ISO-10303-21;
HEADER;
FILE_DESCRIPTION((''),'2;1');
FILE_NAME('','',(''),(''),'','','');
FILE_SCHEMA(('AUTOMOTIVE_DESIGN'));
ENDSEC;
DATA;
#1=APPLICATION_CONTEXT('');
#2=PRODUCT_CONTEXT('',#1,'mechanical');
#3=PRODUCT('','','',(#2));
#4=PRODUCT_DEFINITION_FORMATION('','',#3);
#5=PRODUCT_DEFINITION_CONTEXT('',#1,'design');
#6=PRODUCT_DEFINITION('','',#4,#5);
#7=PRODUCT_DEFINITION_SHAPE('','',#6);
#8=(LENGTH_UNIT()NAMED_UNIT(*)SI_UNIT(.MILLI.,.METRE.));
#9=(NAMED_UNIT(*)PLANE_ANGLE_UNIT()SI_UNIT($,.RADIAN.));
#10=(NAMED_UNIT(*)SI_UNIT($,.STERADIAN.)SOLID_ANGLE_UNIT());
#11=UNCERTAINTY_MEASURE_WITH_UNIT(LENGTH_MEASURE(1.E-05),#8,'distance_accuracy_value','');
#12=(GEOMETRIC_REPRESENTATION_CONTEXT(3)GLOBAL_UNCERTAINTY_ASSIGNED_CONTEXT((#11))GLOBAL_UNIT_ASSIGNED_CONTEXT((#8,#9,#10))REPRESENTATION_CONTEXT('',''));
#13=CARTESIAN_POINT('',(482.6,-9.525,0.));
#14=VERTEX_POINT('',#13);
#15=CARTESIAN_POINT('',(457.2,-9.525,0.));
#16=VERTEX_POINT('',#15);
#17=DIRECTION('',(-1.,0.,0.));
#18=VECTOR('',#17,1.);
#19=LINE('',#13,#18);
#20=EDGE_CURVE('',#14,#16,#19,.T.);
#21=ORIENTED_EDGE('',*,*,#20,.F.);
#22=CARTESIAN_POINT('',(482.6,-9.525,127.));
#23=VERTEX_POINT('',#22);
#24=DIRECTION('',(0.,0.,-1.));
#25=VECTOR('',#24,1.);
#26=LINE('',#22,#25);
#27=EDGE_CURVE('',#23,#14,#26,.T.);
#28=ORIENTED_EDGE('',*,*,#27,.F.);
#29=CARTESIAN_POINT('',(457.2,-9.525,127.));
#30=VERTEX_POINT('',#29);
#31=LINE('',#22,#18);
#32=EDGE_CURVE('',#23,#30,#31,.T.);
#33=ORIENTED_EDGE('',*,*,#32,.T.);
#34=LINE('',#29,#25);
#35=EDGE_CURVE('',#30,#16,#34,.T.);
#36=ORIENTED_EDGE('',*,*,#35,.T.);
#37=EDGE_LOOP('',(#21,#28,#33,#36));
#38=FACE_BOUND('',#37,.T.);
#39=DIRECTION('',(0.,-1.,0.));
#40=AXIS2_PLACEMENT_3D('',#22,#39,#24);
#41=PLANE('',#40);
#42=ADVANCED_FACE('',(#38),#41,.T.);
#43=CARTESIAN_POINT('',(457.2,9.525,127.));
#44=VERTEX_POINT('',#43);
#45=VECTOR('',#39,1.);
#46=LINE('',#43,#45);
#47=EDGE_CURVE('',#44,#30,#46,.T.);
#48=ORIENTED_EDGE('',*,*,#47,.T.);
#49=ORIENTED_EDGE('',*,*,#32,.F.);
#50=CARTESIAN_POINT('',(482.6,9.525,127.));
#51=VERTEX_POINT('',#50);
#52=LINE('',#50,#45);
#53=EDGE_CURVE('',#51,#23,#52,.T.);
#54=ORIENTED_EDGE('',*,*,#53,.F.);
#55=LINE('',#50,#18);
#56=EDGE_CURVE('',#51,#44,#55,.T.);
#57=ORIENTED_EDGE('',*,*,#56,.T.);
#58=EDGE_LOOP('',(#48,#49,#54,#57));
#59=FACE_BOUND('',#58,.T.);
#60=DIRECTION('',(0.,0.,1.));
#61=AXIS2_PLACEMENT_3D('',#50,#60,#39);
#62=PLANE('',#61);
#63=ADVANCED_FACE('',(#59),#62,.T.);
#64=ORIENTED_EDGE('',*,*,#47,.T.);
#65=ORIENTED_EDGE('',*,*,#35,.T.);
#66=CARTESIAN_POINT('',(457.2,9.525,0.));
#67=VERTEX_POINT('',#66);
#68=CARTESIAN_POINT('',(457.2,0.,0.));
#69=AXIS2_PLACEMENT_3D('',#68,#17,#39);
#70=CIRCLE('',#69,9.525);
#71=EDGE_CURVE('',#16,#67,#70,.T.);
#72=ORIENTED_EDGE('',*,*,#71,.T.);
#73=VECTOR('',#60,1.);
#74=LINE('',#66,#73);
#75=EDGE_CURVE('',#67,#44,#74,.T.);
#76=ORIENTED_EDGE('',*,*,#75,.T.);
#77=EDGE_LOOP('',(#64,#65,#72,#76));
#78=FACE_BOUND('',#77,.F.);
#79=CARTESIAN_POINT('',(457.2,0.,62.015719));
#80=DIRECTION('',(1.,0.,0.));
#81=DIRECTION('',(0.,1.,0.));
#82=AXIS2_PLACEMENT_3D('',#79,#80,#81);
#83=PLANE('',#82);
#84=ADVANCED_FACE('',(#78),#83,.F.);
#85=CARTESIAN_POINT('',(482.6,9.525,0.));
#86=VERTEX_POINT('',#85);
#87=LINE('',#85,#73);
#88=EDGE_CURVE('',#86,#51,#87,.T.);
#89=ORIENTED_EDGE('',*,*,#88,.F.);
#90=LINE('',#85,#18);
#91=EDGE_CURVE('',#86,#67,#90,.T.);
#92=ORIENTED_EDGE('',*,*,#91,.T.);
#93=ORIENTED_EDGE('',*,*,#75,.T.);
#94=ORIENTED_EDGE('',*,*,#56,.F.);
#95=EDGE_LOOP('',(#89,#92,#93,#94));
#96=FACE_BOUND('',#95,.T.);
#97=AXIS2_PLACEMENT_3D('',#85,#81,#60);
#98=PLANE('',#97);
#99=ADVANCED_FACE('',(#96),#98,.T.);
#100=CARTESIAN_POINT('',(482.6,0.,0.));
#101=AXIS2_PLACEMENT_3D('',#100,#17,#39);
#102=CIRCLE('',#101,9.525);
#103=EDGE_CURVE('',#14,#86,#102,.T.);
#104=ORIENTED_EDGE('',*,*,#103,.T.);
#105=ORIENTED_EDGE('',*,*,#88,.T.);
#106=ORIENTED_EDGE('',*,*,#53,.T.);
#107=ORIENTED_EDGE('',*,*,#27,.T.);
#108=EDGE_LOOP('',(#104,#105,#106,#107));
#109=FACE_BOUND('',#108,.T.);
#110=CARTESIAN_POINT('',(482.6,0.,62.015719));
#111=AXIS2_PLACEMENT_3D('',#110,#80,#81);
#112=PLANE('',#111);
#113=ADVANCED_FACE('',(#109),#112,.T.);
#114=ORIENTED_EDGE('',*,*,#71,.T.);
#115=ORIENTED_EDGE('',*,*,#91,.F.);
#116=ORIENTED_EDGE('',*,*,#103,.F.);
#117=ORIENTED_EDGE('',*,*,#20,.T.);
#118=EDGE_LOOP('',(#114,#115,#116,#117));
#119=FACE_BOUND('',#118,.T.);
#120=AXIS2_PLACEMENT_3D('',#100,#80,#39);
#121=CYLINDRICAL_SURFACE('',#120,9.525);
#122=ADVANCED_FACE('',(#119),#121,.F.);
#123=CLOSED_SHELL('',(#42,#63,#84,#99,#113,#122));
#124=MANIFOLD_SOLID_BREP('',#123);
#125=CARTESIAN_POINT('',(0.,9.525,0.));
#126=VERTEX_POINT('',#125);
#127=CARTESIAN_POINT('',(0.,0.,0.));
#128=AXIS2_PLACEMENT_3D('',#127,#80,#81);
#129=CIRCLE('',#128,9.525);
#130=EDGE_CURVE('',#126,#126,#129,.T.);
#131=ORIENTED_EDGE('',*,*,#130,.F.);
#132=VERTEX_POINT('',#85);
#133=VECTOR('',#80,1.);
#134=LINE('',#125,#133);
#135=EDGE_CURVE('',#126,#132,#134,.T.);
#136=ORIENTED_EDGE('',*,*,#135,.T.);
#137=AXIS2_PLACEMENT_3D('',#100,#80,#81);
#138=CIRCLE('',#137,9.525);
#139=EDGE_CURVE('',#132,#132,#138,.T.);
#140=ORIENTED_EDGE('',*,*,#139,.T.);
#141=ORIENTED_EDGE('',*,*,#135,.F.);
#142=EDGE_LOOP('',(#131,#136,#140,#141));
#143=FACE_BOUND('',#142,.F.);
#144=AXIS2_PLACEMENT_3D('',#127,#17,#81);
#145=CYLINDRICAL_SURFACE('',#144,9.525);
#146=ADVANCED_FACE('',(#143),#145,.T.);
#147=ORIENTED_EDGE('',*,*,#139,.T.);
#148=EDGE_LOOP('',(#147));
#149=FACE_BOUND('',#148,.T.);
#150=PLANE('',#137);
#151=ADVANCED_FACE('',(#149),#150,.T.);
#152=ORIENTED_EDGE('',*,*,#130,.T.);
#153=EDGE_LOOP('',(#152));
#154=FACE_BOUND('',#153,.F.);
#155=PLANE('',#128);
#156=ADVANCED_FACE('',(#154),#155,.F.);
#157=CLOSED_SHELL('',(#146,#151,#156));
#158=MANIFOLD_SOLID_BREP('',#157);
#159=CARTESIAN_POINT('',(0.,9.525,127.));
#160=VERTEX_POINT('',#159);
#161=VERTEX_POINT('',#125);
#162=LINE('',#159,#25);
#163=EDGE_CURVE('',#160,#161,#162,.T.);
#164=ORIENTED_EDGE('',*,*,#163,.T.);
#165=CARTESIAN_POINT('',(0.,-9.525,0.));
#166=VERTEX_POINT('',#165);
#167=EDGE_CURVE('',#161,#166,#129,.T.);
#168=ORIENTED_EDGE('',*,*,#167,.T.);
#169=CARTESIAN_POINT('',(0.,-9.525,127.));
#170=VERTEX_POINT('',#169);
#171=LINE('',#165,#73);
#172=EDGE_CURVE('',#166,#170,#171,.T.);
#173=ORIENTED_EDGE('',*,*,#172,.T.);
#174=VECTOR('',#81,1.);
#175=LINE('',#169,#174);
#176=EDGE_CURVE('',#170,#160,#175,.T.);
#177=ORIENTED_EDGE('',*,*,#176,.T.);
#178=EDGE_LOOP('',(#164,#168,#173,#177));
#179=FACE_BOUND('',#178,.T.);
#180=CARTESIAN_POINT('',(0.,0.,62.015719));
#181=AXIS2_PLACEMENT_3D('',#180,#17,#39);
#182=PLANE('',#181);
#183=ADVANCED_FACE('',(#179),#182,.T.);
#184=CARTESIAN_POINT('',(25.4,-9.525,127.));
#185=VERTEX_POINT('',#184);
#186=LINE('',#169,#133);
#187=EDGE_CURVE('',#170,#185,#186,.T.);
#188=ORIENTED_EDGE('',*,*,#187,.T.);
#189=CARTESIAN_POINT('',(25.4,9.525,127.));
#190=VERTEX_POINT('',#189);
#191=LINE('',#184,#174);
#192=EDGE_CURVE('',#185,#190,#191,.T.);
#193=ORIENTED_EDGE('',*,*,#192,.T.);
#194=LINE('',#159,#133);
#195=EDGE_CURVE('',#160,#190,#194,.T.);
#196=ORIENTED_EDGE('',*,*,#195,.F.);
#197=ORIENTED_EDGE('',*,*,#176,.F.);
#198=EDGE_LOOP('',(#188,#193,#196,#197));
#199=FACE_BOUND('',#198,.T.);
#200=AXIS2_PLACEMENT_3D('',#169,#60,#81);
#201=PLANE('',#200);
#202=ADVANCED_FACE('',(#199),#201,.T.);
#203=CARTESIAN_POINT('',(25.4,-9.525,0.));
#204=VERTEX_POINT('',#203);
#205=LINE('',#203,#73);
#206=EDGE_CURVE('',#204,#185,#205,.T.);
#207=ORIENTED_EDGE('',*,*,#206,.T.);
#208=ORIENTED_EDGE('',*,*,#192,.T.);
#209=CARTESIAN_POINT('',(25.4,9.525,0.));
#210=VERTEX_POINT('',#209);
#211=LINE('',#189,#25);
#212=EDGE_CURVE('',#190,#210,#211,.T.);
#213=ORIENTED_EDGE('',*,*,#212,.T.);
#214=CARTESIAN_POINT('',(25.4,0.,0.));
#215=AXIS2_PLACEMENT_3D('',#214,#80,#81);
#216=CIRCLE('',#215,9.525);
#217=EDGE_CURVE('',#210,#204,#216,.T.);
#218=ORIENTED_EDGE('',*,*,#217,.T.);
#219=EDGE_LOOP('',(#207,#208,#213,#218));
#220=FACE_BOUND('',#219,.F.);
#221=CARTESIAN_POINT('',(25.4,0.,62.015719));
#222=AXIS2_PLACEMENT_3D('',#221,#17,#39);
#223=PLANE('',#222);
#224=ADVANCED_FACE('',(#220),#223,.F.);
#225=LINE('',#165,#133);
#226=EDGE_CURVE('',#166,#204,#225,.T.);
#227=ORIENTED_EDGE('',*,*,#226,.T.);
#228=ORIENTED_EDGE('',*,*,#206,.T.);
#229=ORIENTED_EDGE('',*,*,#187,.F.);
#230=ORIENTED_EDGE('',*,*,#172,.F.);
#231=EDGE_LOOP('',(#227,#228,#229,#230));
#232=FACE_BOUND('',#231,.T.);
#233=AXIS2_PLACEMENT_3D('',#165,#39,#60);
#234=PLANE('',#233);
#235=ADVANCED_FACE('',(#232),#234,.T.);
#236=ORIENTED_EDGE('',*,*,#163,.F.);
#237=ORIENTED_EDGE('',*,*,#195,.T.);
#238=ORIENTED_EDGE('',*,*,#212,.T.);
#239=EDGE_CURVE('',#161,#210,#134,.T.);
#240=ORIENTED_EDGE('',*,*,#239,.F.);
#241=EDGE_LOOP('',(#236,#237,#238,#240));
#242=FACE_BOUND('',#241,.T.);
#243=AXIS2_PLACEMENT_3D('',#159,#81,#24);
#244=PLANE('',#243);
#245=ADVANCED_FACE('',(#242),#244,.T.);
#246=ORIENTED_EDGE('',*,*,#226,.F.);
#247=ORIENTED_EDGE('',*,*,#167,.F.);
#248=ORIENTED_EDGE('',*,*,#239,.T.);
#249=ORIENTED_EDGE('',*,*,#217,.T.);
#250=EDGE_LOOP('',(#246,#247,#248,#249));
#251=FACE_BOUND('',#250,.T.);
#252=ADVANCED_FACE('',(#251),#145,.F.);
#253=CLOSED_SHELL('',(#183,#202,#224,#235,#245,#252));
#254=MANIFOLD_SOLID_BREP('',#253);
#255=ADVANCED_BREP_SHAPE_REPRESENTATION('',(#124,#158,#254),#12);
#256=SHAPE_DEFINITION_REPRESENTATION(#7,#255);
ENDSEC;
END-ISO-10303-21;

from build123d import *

# Parameters (mm, degrees)
F0_R     = 9.525
F1_DEPTH = 482.6
F3_DEPTH = 25.4
F5_DEPTH = 25.4


with BuildPart() as f1:
    # F0 (on Right) → F1 (new body)
    with BuildSketch(Plane.YZ):
        Circle(F0_R)
    extrude(amount=F1_DEPTH)


with BuildPart() as f3:
    # F2 (on face) → F3 (new body)
    with BuildSketch(Plane(origin=(0, 0, 0), x_dir=(0, -1, 0), z_dir=(-1, 0, 0))):
        with BuildLine():
            Line((-9.525, 127), (-9.525, 0))
            ThreePointArc((-9.525, 0), (0, 9.525), (9.525, 0))
            Line((9.525, 0), (9.525, 127))
            Line((9.525, 127), (-9.525, 127))
        make_face()
    extrude(amount=-F3_DEPTH)


with BuildPart() as f5:
    # F4 (on face) → F5 (new body)
    with BuildSketch(Plane.YZ.offset(482.6)):
        with BuildLine():
            Line((-9.525, 127), (-9.525, 0))
            ThreePointArc((-9.525, 0), (0, 9.525), (9.525, 0))
            Line((9.525, 0), (9.525, 127))
            Line((9.525, 127), (-9.525, 127))
        make_face()
    extrude(amount=-F5_DEPTH)


solid = Compound([f1.part, f3.part, f5.part])
